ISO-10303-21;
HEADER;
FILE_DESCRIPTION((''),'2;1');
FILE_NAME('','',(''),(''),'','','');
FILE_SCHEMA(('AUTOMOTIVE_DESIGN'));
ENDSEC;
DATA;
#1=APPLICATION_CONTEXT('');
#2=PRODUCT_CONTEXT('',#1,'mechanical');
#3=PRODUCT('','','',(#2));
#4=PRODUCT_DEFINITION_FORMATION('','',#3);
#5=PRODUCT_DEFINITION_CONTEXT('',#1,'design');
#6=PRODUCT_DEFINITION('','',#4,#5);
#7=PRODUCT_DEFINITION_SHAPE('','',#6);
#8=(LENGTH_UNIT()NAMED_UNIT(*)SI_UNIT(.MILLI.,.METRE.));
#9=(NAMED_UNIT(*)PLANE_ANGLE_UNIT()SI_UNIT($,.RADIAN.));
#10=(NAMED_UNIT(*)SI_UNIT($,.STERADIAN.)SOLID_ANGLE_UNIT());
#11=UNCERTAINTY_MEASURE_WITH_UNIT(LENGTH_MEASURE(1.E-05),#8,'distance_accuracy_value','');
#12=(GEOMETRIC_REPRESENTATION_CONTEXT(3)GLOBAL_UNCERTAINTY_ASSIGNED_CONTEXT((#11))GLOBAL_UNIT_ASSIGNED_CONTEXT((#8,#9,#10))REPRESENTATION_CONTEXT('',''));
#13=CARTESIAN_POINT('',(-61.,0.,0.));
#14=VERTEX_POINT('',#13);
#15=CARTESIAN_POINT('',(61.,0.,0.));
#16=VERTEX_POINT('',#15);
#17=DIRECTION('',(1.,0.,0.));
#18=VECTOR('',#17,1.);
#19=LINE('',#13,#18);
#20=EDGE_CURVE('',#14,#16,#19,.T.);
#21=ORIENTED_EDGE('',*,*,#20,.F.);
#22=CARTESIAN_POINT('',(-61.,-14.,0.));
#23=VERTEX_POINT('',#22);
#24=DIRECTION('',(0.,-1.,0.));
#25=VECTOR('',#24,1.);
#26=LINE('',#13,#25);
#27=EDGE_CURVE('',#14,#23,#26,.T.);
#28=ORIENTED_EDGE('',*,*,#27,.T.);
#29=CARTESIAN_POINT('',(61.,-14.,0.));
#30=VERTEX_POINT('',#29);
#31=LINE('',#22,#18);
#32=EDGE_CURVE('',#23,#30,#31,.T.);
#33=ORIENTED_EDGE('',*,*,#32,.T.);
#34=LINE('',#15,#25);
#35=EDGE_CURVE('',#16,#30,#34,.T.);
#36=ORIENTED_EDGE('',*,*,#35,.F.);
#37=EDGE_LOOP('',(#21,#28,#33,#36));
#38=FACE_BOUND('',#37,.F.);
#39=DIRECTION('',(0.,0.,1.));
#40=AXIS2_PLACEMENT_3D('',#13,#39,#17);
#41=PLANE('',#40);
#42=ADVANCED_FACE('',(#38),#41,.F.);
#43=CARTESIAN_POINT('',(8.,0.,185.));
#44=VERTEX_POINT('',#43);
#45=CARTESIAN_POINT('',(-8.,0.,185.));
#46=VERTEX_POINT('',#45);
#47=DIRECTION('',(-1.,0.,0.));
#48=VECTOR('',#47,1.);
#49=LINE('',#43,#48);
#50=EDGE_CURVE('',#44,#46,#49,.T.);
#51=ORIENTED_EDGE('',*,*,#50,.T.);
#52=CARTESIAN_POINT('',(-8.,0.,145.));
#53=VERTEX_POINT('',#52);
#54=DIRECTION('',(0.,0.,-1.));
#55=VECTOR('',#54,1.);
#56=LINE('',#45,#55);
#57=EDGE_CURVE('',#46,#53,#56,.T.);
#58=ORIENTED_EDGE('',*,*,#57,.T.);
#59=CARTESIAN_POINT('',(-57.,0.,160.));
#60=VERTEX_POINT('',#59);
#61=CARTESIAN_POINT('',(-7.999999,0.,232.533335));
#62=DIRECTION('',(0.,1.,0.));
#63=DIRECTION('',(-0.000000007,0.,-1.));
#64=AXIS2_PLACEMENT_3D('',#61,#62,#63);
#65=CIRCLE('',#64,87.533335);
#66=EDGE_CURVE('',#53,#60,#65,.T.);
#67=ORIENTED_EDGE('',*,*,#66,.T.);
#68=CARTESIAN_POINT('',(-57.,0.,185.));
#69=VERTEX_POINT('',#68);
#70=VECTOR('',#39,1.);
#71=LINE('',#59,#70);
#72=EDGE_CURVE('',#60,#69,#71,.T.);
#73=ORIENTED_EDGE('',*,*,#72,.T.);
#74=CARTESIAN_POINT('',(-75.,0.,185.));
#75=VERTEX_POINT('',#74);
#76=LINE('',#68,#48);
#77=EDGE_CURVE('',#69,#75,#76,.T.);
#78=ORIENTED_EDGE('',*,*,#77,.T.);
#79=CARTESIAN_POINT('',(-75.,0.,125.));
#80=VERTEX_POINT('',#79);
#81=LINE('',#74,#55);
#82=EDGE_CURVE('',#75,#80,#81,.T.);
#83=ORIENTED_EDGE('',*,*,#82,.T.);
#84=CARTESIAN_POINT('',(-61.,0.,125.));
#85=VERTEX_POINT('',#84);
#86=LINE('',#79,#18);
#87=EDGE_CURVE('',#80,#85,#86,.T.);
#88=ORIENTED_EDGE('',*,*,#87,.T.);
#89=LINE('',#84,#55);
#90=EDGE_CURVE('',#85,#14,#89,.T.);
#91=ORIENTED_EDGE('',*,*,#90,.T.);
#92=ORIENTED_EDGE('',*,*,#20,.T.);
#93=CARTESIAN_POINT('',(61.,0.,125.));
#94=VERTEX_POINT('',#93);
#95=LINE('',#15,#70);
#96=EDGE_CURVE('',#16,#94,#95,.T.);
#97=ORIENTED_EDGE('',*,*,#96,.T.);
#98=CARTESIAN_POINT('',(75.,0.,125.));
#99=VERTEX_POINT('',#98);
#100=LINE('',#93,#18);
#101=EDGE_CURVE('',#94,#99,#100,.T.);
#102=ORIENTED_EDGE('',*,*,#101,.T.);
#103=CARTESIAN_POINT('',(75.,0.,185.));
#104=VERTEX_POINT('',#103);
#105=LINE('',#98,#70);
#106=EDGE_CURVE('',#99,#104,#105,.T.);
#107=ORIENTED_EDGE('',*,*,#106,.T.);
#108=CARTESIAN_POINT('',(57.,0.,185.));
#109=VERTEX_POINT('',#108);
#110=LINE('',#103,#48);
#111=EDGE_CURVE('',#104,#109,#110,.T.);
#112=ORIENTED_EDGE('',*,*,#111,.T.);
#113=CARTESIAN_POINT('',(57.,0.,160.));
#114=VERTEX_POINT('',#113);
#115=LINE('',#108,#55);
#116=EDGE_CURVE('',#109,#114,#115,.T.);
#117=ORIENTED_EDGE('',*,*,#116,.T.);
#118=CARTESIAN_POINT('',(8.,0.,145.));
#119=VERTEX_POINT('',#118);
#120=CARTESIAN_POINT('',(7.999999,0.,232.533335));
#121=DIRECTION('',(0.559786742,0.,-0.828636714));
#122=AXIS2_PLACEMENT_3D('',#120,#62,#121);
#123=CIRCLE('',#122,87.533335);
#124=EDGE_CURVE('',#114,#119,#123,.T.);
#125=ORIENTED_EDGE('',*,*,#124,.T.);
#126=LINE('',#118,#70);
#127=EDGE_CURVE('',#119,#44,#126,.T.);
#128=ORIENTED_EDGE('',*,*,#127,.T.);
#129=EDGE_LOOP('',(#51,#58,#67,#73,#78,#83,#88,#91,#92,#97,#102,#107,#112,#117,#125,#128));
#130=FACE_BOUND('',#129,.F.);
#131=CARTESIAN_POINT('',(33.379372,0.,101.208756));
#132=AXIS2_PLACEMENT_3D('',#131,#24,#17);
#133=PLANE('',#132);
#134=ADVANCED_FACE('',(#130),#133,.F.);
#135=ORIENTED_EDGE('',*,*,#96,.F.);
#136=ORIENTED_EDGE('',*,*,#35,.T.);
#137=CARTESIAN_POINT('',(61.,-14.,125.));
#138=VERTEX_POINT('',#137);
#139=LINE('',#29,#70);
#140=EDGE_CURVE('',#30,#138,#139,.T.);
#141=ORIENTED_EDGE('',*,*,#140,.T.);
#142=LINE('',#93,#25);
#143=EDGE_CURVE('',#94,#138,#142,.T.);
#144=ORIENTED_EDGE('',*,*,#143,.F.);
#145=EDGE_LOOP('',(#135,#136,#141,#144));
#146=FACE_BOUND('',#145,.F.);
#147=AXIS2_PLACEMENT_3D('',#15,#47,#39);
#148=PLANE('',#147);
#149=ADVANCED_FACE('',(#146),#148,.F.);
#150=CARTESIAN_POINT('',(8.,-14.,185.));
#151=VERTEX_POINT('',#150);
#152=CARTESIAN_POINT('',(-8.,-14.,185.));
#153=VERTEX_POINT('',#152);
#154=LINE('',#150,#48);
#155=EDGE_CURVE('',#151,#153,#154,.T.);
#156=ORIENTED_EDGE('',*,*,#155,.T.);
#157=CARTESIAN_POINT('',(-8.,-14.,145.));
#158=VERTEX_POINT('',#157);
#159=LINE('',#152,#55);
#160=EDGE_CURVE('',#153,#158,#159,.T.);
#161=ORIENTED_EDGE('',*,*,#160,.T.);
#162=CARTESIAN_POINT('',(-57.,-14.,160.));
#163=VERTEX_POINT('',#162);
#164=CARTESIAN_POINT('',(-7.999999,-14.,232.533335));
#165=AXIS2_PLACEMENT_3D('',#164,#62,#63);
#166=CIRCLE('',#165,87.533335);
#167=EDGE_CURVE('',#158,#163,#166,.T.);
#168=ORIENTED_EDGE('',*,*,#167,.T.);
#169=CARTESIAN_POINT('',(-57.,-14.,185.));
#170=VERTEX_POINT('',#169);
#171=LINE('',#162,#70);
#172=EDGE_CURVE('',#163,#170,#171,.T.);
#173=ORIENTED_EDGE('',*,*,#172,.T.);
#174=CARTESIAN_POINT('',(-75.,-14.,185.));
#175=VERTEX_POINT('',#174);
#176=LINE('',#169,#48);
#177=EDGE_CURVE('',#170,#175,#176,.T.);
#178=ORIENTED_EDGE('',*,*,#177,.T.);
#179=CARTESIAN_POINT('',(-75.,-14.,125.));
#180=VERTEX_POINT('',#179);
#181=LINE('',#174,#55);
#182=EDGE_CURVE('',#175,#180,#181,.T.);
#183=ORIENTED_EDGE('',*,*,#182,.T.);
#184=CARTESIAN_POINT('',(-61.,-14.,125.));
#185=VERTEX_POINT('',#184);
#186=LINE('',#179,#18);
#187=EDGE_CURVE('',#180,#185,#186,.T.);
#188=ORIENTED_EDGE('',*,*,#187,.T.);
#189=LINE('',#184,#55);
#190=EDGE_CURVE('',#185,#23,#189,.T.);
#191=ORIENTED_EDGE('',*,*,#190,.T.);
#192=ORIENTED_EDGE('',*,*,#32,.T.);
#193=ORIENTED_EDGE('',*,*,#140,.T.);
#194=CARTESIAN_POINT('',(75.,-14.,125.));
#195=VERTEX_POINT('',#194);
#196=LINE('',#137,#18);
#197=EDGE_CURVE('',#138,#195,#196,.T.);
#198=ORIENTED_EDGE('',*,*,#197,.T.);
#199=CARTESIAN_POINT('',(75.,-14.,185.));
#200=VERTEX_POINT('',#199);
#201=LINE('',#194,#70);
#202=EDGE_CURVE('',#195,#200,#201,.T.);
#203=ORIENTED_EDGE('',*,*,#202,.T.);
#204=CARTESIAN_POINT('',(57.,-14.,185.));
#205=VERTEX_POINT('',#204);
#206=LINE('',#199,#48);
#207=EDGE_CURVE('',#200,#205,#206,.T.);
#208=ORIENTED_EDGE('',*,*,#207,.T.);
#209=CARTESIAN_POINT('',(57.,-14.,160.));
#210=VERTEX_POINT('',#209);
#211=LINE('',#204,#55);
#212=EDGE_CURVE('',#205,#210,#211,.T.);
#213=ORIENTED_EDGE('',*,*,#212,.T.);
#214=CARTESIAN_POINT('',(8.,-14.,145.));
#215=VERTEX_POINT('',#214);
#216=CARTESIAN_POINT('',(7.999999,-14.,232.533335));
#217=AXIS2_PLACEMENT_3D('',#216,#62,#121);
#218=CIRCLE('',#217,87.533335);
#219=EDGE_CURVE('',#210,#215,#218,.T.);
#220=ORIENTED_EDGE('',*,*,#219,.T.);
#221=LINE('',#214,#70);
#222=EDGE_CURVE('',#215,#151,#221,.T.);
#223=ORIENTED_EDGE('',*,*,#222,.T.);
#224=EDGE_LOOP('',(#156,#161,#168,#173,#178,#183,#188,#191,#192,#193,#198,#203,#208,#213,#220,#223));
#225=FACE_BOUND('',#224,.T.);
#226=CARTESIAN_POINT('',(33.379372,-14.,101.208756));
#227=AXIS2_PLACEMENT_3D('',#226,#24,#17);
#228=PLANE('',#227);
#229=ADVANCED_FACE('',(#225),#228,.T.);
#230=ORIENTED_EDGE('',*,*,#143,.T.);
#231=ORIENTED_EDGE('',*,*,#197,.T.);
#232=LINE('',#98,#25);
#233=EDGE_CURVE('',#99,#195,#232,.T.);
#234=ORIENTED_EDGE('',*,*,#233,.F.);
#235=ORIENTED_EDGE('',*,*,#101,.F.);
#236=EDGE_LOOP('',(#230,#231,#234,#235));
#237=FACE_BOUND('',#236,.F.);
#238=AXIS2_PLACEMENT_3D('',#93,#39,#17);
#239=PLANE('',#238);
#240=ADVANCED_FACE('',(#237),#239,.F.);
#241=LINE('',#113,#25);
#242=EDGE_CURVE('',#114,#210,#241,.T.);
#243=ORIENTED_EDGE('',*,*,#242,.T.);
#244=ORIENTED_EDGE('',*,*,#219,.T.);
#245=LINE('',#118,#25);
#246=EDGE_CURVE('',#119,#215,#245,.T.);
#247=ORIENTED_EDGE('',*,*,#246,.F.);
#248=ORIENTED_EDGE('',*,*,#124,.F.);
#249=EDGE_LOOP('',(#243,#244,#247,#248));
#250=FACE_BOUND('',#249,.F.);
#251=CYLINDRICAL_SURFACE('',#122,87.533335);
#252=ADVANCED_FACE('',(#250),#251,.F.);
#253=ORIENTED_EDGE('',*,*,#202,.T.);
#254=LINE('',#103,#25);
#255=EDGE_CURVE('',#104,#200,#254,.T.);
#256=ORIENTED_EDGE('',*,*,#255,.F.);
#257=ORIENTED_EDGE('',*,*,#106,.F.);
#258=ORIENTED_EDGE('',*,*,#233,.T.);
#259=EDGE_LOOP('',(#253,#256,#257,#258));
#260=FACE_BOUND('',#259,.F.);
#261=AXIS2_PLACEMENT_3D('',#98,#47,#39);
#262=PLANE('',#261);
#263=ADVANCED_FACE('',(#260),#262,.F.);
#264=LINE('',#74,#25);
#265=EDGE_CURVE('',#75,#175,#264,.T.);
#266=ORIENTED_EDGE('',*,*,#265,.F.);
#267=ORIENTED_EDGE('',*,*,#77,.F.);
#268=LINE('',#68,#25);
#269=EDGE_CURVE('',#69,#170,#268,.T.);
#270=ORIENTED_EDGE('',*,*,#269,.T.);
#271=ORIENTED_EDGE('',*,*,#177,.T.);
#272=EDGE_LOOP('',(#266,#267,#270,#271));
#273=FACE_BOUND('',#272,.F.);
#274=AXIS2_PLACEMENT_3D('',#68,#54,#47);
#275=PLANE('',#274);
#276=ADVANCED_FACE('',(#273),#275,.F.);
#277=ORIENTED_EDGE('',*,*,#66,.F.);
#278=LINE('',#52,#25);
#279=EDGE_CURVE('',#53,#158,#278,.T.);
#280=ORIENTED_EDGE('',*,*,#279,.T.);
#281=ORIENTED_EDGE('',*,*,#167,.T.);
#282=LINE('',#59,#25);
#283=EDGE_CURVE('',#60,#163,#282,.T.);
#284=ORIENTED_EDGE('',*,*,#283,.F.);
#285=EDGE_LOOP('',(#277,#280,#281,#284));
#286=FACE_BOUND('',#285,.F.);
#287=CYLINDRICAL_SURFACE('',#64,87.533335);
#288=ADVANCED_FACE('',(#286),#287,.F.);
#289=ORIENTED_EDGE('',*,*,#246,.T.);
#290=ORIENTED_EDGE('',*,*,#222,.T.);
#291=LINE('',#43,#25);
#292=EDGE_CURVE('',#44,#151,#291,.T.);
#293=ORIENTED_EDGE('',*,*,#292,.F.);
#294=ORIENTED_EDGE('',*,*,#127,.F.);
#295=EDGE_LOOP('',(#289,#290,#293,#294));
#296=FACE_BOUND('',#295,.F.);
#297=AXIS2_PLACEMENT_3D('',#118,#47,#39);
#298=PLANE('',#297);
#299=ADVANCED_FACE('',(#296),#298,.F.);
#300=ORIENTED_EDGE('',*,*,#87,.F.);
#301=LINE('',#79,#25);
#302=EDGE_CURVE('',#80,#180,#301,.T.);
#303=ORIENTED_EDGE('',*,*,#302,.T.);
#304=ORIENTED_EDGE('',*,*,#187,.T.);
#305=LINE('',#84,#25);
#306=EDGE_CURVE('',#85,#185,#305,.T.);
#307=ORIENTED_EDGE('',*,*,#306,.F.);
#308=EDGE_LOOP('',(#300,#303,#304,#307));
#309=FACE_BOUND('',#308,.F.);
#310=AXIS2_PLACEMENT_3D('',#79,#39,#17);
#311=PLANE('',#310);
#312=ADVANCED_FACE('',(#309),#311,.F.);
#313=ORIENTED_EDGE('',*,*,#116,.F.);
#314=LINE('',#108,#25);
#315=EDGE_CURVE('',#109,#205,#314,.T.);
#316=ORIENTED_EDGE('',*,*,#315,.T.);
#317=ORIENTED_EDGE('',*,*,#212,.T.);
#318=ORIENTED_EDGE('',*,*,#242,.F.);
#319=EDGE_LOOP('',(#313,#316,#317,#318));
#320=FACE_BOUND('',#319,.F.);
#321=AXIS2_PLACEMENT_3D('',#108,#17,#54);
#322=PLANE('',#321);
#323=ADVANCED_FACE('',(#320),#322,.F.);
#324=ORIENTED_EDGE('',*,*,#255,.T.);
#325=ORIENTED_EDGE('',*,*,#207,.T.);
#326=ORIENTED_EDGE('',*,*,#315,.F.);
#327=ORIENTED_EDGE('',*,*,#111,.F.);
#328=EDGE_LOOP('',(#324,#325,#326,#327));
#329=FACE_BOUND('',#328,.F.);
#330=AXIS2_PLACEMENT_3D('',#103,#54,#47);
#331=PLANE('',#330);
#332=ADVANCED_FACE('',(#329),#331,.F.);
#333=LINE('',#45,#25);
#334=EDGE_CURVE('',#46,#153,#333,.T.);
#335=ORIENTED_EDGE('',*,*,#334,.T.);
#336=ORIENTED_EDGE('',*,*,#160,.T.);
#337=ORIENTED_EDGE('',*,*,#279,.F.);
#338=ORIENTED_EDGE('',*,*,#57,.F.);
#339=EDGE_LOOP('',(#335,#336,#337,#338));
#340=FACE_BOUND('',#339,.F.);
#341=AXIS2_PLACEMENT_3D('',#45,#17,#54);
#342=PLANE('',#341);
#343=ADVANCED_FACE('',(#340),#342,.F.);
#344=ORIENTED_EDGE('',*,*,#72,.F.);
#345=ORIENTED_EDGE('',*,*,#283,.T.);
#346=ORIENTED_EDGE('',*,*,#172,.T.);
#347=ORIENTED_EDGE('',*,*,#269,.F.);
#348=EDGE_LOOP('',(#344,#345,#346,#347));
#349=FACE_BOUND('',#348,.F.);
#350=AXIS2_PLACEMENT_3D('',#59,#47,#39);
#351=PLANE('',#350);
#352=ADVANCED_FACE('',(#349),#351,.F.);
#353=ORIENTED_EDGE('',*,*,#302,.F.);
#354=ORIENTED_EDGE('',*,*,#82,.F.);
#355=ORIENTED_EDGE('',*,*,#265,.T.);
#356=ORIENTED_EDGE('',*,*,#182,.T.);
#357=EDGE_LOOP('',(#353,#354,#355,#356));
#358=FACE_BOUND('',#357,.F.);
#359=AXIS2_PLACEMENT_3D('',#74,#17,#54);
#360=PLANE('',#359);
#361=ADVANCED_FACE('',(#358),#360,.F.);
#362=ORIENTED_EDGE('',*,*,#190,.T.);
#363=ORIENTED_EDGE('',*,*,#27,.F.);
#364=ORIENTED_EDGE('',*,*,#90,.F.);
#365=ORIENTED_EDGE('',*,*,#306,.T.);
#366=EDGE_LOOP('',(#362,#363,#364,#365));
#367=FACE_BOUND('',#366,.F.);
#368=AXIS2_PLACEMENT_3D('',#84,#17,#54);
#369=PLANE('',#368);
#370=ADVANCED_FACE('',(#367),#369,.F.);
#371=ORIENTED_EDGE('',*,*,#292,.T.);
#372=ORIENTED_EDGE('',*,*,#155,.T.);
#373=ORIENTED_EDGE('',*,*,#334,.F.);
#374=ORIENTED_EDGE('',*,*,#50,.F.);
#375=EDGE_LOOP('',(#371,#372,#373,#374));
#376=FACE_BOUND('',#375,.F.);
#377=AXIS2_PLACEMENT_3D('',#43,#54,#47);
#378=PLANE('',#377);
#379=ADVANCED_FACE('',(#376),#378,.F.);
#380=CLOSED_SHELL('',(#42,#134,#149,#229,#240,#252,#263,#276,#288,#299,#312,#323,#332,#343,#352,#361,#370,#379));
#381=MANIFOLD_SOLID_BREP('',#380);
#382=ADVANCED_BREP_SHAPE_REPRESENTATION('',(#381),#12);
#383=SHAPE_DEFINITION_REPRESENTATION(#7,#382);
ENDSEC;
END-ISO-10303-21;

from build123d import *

# Parameters (mm, degrees)
F1_DEPTH = 14


with BuildPart() as f1:
    # F0 (on Front) → F1 (new body)
    with BuildSketch(Plane.XZ):
        with BuildLine():
            Line((0, 185), (0, 0))
            Line((0, 0), (61, 0))
            Line((61, 0), (61, 125))
            Line((61, 125), (75, 125))
            Line((75, 125), (75, 185))
            Line((75, 185), (57, 185))
            Line((57, 185), (57, 160))
            ThreePointArc((57, 160), (33.622256, 148.833964), (8, 145))
            Line((8, 145), (8, 185))
            Line((8, 185), (0, 185))
        make_face()
        with BuildLine():
            Line((-61, 125), (-61, 0))
            Line((-61, 0), (0, 0))
            Line((0, 0), (0, 185))
            Line((0, 185), (-8, 185))
            Line((-8, 185), (-8, 145))
            ThreePointArc((-8, 145), (-33.622256, 148.833964), (-57, 160))
            Line((-57, 160), (-57, 185))
            Line((-57, 185), (-75, 185))
            Line((-75, 185), (-75, 125))
            Line((-75, 125), (-61, 125))
        make_face()
    extrude(amount=F1_DEPTH)


solid = f1.part
